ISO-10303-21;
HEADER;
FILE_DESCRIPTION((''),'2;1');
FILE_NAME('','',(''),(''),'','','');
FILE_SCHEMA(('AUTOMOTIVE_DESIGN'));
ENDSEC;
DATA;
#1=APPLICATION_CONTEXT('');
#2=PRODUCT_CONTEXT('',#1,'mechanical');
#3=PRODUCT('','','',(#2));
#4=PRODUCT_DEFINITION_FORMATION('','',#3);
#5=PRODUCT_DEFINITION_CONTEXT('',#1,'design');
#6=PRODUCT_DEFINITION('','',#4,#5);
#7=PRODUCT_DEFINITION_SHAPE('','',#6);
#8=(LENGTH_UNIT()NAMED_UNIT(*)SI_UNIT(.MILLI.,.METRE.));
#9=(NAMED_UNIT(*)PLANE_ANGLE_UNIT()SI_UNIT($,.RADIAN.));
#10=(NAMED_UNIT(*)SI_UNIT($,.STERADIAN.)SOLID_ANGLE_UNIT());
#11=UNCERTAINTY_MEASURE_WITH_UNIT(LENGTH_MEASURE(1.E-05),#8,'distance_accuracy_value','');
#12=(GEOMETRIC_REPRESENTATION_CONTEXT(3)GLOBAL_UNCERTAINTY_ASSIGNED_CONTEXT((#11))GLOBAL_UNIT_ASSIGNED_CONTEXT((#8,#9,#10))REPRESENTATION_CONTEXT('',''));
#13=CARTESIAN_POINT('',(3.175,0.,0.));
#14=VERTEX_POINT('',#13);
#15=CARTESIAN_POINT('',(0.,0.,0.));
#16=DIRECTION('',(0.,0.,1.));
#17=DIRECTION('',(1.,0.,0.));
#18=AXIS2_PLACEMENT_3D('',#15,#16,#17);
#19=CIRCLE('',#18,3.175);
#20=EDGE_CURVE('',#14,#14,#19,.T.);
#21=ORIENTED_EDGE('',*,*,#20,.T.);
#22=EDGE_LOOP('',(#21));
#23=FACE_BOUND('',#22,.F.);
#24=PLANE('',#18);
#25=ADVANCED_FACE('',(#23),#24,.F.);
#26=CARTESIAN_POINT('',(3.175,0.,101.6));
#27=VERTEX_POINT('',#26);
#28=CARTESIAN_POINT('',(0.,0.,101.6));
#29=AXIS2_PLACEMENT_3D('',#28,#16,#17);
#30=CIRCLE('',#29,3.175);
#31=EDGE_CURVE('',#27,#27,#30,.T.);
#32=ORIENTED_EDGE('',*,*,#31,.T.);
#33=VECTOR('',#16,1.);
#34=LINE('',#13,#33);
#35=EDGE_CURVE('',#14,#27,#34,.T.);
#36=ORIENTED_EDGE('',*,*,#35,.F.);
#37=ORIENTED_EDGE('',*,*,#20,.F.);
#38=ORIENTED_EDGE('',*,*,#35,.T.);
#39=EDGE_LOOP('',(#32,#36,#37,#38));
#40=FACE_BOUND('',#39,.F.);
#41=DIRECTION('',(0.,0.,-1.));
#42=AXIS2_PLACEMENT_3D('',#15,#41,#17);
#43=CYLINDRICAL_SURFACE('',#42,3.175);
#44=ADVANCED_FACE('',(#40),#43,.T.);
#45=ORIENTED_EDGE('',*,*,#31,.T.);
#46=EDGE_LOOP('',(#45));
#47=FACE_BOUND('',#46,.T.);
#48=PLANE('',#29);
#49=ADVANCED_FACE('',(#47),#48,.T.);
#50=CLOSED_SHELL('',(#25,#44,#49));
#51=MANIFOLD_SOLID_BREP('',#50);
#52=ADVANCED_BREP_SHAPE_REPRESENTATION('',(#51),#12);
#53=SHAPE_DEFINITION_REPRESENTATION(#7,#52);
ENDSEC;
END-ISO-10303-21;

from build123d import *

# Parameters (mm, degrees)
SKETCH1_R           = 3.175
BOSS_EXTRUDE1_DEPTH = 101.6


with BuildPart() as part:
    # Sketch1 → Boss-Extrude1 (new body)
    with BuildSketch(Plane.XY):
        Circle(SKETCH1_R)
    extrude(amount=BOSS_EXTRUDE1_DEPTH)


solid = part.part
